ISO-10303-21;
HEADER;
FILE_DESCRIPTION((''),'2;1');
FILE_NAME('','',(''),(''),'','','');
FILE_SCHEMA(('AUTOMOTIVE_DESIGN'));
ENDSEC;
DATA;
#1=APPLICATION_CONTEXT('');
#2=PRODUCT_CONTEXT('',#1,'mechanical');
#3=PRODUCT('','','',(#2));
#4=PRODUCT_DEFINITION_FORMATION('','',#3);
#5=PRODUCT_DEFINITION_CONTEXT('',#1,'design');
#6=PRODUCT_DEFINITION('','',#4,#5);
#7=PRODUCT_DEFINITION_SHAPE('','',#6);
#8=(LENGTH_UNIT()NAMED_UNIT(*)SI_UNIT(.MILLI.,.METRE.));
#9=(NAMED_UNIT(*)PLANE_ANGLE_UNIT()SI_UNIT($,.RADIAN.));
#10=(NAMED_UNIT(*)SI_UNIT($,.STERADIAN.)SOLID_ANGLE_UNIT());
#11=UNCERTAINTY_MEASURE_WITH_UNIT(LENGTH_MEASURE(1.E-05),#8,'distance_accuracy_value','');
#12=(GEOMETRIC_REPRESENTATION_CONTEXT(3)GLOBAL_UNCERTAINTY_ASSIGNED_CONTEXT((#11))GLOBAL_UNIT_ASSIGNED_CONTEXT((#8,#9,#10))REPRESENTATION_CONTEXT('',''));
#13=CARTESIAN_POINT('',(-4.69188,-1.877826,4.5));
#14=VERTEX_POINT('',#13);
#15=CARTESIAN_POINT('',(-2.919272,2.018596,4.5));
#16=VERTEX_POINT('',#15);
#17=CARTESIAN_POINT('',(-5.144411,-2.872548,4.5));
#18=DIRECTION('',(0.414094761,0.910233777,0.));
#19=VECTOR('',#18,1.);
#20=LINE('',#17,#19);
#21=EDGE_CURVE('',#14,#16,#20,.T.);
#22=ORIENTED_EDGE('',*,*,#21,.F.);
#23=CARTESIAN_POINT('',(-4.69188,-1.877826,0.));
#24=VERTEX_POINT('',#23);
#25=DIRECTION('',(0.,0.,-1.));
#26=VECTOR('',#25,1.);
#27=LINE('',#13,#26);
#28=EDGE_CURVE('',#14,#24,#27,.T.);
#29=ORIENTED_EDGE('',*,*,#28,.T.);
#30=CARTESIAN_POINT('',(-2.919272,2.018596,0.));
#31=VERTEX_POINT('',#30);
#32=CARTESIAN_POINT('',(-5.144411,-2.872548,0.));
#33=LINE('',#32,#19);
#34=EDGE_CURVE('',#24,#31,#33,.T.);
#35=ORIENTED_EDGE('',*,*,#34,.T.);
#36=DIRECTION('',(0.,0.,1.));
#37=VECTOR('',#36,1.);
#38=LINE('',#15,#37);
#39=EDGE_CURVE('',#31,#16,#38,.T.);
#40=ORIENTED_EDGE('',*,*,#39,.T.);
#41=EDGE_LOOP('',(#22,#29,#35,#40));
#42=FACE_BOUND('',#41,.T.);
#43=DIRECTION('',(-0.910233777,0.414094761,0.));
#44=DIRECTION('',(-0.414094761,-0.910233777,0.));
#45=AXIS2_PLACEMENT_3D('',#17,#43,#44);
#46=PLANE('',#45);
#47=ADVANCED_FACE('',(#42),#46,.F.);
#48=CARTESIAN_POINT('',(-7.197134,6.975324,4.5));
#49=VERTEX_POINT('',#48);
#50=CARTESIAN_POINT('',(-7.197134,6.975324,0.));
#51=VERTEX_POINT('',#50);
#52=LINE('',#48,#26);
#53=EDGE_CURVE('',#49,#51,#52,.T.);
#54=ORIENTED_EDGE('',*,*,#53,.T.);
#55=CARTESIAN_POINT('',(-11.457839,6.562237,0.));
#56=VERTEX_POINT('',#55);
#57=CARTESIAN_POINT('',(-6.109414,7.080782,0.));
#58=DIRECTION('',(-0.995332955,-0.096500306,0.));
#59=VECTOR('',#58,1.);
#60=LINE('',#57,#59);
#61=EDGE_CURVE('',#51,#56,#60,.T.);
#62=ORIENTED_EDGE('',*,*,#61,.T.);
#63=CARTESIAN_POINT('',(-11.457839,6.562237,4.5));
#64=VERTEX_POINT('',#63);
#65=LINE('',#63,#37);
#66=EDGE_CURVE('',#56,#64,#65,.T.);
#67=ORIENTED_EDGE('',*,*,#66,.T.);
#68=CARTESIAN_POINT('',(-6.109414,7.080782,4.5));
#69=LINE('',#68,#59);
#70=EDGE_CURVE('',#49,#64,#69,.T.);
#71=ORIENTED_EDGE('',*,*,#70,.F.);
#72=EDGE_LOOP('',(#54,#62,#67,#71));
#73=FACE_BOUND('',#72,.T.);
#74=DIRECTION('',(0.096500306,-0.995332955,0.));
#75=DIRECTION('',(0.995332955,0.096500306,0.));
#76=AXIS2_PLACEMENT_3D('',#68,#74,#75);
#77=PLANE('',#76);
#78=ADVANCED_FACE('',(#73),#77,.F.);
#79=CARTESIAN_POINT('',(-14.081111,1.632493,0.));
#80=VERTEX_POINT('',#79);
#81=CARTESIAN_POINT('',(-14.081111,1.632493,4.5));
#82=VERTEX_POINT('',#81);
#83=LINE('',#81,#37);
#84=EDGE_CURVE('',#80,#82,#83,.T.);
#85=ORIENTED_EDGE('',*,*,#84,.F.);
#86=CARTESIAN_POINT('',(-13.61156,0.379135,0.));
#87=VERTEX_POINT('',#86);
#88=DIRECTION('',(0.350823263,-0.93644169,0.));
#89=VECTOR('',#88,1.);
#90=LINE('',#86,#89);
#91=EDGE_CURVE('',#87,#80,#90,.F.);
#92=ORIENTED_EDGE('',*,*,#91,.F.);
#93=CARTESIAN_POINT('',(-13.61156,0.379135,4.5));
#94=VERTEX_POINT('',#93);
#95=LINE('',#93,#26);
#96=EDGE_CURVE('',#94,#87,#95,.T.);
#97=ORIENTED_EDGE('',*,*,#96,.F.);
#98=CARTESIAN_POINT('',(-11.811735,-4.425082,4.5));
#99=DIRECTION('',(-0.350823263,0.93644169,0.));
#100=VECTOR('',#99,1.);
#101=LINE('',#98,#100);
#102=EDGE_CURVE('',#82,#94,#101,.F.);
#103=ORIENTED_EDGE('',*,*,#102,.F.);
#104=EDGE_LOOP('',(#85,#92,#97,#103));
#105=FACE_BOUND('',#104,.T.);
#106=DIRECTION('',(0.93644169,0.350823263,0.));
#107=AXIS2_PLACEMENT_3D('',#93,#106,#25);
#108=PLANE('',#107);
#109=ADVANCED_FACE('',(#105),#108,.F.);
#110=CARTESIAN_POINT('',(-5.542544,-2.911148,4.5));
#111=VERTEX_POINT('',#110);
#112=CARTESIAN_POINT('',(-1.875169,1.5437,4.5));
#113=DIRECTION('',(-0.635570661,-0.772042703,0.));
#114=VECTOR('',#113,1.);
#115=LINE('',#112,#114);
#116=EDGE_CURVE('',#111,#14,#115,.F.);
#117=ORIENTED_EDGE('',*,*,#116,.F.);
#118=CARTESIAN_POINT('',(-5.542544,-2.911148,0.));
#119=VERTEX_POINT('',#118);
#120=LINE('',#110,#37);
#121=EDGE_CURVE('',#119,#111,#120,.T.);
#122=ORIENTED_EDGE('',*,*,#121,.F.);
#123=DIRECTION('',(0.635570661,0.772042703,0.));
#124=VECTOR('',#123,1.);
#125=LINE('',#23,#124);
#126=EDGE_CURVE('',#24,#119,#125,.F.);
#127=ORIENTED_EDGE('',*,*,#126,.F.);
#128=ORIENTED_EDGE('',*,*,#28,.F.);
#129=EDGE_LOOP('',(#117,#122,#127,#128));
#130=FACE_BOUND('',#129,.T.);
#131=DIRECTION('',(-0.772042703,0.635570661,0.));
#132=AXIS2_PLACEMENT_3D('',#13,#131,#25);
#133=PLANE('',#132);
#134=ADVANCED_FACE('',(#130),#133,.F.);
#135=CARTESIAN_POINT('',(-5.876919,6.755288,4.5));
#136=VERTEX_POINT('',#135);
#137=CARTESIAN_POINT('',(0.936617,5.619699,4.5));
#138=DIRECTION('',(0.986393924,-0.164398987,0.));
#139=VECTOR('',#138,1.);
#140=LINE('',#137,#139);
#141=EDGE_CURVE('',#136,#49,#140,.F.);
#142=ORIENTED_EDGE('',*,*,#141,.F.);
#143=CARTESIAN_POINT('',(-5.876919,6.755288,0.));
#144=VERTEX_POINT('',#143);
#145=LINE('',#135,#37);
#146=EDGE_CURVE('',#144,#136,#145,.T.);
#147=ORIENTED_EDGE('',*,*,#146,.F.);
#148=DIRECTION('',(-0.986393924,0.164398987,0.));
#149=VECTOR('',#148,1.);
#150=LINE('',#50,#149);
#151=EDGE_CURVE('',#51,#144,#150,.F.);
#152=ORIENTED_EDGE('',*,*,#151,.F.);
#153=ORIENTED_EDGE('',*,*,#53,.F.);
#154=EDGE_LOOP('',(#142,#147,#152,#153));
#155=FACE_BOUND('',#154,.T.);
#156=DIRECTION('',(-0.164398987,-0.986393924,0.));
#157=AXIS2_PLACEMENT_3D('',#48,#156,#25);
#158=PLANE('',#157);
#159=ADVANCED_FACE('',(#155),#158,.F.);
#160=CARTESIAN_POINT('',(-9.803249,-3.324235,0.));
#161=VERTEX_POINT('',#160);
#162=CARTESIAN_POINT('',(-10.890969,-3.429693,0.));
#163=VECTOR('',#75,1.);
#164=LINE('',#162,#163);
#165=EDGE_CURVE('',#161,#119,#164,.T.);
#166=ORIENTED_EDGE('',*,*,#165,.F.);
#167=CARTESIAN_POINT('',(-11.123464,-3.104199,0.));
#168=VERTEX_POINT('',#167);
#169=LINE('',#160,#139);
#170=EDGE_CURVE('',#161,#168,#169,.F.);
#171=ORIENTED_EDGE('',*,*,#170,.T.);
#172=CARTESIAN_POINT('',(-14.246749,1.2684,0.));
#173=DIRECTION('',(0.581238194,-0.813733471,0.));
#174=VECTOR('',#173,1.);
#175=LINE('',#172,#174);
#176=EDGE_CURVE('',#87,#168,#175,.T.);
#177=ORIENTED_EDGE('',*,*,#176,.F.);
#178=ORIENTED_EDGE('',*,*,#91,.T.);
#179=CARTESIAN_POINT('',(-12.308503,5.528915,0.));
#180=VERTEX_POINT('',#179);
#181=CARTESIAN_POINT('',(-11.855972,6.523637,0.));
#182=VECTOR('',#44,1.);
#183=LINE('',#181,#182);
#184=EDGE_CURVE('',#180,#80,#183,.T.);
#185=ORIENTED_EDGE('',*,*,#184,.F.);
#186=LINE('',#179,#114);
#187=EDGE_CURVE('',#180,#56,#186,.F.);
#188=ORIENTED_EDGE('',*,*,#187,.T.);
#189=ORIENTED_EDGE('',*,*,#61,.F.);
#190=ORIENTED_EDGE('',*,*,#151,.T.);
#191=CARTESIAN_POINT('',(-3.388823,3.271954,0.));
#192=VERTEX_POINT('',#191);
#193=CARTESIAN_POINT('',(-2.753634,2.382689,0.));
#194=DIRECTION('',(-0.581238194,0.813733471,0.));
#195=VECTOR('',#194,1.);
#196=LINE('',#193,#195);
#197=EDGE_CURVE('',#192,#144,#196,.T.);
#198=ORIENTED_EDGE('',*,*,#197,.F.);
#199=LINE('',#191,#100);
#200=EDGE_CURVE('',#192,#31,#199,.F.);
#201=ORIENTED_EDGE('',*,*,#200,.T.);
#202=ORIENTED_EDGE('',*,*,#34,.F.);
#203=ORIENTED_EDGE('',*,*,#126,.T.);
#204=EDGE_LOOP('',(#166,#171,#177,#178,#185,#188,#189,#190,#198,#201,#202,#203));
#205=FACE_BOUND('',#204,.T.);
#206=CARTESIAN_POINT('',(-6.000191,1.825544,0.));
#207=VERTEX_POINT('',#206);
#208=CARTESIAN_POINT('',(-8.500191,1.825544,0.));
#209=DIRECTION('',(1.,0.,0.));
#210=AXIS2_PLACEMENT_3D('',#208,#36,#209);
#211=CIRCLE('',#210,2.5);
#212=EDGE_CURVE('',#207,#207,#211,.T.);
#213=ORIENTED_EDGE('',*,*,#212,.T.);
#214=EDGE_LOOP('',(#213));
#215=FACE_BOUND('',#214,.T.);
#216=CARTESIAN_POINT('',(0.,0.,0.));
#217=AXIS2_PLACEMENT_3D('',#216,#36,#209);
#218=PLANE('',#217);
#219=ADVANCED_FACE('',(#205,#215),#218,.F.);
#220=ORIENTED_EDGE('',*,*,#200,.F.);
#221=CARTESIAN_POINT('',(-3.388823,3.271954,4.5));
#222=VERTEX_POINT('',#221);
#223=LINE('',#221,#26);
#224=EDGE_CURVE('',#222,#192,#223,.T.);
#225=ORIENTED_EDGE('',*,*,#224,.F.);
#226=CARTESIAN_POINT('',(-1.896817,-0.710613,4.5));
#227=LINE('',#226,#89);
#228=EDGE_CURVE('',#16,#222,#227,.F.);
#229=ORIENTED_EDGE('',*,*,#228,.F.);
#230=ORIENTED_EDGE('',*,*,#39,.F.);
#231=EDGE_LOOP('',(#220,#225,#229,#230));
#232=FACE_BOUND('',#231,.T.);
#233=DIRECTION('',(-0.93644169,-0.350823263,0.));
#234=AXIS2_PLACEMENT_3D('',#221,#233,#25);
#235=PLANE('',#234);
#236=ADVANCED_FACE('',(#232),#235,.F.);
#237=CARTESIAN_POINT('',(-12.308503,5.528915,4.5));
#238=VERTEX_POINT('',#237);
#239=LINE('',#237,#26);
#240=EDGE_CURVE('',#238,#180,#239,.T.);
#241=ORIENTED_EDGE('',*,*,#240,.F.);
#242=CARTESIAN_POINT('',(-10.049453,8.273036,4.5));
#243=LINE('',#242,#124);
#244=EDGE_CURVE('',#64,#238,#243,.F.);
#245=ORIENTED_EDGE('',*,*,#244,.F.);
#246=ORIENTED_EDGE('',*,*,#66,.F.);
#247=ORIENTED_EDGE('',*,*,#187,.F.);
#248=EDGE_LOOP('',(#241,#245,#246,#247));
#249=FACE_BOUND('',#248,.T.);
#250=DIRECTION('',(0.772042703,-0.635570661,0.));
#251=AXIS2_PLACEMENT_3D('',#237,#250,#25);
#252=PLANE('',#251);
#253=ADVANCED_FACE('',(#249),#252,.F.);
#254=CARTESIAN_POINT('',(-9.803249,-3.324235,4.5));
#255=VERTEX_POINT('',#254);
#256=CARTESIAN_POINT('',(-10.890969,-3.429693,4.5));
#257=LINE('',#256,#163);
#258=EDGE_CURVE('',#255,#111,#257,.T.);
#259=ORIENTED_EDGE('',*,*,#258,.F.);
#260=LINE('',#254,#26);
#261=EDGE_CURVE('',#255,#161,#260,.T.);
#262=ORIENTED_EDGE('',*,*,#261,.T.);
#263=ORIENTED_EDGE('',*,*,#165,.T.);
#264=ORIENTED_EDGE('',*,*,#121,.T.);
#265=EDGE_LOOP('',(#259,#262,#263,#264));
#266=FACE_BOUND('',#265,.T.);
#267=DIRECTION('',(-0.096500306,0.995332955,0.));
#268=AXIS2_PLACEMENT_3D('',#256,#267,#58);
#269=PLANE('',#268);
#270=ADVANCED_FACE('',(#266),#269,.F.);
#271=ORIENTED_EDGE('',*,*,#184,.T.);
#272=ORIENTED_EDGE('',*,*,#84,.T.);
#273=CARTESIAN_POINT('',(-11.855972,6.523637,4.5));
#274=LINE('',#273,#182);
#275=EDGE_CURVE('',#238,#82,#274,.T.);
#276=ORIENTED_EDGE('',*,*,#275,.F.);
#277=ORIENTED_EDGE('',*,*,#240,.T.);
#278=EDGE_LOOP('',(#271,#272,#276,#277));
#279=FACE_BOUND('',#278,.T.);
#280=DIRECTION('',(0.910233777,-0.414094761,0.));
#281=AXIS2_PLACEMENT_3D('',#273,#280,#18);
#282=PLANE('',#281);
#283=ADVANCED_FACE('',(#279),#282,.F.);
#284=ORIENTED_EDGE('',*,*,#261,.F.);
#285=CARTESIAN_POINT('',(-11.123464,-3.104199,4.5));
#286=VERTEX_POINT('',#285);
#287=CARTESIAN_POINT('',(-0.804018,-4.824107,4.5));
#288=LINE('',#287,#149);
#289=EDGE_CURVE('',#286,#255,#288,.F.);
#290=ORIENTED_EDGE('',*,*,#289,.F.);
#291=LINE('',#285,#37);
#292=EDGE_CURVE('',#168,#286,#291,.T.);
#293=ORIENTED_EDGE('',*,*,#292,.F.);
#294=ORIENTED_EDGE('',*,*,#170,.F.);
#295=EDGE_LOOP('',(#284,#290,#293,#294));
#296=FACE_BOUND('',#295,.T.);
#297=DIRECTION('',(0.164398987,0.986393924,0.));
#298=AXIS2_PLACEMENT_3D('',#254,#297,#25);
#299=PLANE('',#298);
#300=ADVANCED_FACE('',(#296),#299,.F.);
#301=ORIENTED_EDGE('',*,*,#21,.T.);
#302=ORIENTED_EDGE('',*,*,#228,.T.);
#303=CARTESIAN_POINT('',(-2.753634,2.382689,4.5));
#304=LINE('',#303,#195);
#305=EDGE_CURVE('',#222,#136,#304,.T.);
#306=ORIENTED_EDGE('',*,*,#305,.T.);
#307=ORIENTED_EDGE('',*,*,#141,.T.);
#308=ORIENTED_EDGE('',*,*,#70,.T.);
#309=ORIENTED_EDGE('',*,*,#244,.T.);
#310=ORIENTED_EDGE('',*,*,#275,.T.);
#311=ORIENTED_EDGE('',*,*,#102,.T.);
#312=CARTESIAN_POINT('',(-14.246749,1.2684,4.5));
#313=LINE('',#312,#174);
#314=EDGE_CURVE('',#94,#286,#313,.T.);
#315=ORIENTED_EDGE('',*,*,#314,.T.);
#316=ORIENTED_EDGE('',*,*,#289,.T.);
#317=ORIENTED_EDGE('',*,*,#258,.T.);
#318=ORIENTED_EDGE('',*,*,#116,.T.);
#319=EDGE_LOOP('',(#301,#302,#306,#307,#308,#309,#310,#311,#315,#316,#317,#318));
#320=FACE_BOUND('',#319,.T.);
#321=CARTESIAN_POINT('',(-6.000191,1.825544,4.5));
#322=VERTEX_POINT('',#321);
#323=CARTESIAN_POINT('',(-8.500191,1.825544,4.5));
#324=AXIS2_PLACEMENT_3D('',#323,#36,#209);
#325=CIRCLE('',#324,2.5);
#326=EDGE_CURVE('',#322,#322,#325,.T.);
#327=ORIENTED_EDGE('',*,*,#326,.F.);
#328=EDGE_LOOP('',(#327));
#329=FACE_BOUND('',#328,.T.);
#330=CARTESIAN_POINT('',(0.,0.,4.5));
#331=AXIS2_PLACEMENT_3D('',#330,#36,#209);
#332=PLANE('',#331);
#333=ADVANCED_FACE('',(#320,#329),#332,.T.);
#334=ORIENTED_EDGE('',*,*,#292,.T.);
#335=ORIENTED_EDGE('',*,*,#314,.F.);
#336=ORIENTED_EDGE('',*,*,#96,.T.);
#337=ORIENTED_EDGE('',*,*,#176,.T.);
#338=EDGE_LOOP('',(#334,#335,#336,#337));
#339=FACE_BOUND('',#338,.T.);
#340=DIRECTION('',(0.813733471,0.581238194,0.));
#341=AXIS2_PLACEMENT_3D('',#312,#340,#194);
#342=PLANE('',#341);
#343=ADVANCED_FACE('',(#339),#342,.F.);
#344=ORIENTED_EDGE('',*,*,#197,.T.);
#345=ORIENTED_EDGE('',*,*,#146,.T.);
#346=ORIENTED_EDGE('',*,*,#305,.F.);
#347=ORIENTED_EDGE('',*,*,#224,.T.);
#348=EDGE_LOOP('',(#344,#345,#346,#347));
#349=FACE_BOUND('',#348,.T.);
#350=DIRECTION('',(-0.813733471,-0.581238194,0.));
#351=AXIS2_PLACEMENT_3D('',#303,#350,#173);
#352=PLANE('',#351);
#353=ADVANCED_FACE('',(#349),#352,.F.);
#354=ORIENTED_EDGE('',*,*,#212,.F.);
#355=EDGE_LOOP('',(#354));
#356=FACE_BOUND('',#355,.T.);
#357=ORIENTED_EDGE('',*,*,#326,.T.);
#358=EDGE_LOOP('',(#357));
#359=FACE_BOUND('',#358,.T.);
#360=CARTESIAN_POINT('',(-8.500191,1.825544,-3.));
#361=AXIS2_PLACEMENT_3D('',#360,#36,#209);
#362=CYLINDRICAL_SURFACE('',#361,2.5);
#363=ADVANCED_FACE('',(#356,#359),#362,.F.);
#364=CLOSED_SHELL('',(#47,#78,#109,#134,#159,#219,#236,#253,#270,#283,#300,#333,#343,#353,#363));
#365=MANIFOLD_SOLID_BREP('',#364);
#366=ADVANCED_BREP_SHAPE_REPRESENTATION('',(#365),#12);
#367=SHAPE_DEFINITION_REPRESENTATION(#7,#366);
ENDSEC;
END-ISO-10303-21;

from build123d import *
from OCP.BRepFilletAPI import BRepFilletAPI_MakeChamfer

# Parameters (mm, degrees)
RESSALTO_EXTRUS_O1_DEPTH = 4.5
ESBO_O2_R                = 2.5
CORTE_EXTRUS_O1_DEPTH    = 7.5
CHANFRO1_SIZE            = 0.4
CHANFRO1_SIZE2           = 1.092820323


with BuildPart() as part:
    # Esboço1 → Ressalto-extrusão1 (new body)
    with BuildSketch(Plane.XY):
        Polygon((-5.144411163, -2.872547916), (-2.753633945, 2.382689246), (-6.109414221, 7.080781632), (-11.855971715, 6.523636857), (-14.246748933, 1.268399695), (-10.890968657, -3.429692692), align=None)
    extrude(amount=RESSALTO_EXTRUS_O1_DEPTH)

    # Esboço2 → Corte-extrusão1 (cut)
    with BuildSketch(Plane.XY.offset(4.5)):
        with Locations((-8.500191439, 1.82554447)):
            Circle(ESBO_O2_R)
    extrude(amount=-CORTE_EXTRUS_O1_DEPTH, mode=Mode.SUBTRACT)

    # Chanfro1: one chamfer whose edges measure the first distance from different faces: ONE call of the kernel's chamfer builder (chamfer() names one face for all edges)
    chanfro1_edges_1 = [part.edges().sort_by_distance(p)[0] for p in [
        (-10.890968657, -3.429692692, 2.25),
    ]]
    chanfro1_side_1 = [part.faces().sort_by_distance(p)[0] for p in [
        (-12.568858795, -1.080646498, 2.25),
    ]]
    chanfro1_edges_2 = [part.edges().sort_by_distance(p)[0] for p in [
        (-14.246748933, 1.268399695, 2.25),
    ]]
    chanfro1_side_2 = [part.faces().sort_by_distance(p)[0] for p in [
        (-13.051360324, 3.896018276, 2.25),
    ]]
    chanfro1_edges_3 = [part.edges().sort_by_distance(p)[0] for p in [
        (-11.855971715, 6.523636857, 2.25),
    ]]
    chanfro1_side_3 = [part.faces().sort_by_distance(p)[0] for p in [
        (-8.982692968, 6.802209244, 2.25),
    ]]
    chanfro1_edges_4 = [part.edges().sort_by_distance(p)[0] for p in [
        (-6.109414221, 7.080781632, 2.25),
    ]]
    chanfro1_side_4 = [part.faces().sort_by_distance(p)[0] for p in [
        (-4.431524083, 4.731735439, 2.25),
    ]]
    chanfro1_edges_5 = [part.edges().sort_by_distance(p)[0] for p in [
        (-2.753633945, 2.382689246, 2.25),
    ]]
    chanfro1_side_5 = [part.faces().sort_by_distance(p)[0] for p in [
        (-3.949022554, -0.244929335, 2.25),
    ]]
    chanfro1_edges_6 = [part.edges().sort_by_distance(p)[0] for p in [
        (-5.144411163, -2.872547916, 2.25),
    ]]
    chanfro1_side_6 = [part.faces().sort_by_distance(p)[0] for p in [
        (-8.01768991, -3.151120304, 2.25),
    ]]
    chanfro1 = BRepFilletAPI_MakeChamfer(part.part.solid().wrapped)
    for e in chanfro1_edges_1:
        chanfro1.Add(CHANFRO1_SIZE, CHANFRO1_SIZE2, e.wrapped, chanfro1_side_1[0].wrapped)  # the first distance lies on this face
    for e in chanfro1_edges_2:
        chanfro1.Add(CHANFRO1_SIZE, CHANFRO1_SIZE2, e.wrapped, chanfro1_side_2[0].wrapped)  # the first distance lies on this face
    for e in chanfro1_edges_3:
        chanfro1.Add(CHANFRO1_SIZE, CHANFRO1_SIZE2, e.wrapped, chanfro1_side_3[0].wrapped)  # the first distance lies on this face
    for e in chanfro1_edges_4:
        chanfro1.Add(CHANFRO1_SIZE, CHANFRO1_SIZE2, e.wrapped, chanfro1_side_4[0].wrapped)  # the first distance lies on this face
    for e in chanfro1_edges_5:
        chanfro1.Add(CHANFRO1_SIZE, CHANFRO1_SIZE2, e.wrapped, chanfro1_side_5[0].wrapped)  # the first distance lies on this face
    for e in chanfro1_edges_6:
        chanfro1.Add(CHANFRO1_SIZE, CHANFRO1_SIZE2, e.wrapped, chanfro1_side_6[0].wrapped)  # the first distance lies on this face
    add(Compound.cast(chanfro1.Shape()), mode=Mode.REPLACE)


solid = part.part
